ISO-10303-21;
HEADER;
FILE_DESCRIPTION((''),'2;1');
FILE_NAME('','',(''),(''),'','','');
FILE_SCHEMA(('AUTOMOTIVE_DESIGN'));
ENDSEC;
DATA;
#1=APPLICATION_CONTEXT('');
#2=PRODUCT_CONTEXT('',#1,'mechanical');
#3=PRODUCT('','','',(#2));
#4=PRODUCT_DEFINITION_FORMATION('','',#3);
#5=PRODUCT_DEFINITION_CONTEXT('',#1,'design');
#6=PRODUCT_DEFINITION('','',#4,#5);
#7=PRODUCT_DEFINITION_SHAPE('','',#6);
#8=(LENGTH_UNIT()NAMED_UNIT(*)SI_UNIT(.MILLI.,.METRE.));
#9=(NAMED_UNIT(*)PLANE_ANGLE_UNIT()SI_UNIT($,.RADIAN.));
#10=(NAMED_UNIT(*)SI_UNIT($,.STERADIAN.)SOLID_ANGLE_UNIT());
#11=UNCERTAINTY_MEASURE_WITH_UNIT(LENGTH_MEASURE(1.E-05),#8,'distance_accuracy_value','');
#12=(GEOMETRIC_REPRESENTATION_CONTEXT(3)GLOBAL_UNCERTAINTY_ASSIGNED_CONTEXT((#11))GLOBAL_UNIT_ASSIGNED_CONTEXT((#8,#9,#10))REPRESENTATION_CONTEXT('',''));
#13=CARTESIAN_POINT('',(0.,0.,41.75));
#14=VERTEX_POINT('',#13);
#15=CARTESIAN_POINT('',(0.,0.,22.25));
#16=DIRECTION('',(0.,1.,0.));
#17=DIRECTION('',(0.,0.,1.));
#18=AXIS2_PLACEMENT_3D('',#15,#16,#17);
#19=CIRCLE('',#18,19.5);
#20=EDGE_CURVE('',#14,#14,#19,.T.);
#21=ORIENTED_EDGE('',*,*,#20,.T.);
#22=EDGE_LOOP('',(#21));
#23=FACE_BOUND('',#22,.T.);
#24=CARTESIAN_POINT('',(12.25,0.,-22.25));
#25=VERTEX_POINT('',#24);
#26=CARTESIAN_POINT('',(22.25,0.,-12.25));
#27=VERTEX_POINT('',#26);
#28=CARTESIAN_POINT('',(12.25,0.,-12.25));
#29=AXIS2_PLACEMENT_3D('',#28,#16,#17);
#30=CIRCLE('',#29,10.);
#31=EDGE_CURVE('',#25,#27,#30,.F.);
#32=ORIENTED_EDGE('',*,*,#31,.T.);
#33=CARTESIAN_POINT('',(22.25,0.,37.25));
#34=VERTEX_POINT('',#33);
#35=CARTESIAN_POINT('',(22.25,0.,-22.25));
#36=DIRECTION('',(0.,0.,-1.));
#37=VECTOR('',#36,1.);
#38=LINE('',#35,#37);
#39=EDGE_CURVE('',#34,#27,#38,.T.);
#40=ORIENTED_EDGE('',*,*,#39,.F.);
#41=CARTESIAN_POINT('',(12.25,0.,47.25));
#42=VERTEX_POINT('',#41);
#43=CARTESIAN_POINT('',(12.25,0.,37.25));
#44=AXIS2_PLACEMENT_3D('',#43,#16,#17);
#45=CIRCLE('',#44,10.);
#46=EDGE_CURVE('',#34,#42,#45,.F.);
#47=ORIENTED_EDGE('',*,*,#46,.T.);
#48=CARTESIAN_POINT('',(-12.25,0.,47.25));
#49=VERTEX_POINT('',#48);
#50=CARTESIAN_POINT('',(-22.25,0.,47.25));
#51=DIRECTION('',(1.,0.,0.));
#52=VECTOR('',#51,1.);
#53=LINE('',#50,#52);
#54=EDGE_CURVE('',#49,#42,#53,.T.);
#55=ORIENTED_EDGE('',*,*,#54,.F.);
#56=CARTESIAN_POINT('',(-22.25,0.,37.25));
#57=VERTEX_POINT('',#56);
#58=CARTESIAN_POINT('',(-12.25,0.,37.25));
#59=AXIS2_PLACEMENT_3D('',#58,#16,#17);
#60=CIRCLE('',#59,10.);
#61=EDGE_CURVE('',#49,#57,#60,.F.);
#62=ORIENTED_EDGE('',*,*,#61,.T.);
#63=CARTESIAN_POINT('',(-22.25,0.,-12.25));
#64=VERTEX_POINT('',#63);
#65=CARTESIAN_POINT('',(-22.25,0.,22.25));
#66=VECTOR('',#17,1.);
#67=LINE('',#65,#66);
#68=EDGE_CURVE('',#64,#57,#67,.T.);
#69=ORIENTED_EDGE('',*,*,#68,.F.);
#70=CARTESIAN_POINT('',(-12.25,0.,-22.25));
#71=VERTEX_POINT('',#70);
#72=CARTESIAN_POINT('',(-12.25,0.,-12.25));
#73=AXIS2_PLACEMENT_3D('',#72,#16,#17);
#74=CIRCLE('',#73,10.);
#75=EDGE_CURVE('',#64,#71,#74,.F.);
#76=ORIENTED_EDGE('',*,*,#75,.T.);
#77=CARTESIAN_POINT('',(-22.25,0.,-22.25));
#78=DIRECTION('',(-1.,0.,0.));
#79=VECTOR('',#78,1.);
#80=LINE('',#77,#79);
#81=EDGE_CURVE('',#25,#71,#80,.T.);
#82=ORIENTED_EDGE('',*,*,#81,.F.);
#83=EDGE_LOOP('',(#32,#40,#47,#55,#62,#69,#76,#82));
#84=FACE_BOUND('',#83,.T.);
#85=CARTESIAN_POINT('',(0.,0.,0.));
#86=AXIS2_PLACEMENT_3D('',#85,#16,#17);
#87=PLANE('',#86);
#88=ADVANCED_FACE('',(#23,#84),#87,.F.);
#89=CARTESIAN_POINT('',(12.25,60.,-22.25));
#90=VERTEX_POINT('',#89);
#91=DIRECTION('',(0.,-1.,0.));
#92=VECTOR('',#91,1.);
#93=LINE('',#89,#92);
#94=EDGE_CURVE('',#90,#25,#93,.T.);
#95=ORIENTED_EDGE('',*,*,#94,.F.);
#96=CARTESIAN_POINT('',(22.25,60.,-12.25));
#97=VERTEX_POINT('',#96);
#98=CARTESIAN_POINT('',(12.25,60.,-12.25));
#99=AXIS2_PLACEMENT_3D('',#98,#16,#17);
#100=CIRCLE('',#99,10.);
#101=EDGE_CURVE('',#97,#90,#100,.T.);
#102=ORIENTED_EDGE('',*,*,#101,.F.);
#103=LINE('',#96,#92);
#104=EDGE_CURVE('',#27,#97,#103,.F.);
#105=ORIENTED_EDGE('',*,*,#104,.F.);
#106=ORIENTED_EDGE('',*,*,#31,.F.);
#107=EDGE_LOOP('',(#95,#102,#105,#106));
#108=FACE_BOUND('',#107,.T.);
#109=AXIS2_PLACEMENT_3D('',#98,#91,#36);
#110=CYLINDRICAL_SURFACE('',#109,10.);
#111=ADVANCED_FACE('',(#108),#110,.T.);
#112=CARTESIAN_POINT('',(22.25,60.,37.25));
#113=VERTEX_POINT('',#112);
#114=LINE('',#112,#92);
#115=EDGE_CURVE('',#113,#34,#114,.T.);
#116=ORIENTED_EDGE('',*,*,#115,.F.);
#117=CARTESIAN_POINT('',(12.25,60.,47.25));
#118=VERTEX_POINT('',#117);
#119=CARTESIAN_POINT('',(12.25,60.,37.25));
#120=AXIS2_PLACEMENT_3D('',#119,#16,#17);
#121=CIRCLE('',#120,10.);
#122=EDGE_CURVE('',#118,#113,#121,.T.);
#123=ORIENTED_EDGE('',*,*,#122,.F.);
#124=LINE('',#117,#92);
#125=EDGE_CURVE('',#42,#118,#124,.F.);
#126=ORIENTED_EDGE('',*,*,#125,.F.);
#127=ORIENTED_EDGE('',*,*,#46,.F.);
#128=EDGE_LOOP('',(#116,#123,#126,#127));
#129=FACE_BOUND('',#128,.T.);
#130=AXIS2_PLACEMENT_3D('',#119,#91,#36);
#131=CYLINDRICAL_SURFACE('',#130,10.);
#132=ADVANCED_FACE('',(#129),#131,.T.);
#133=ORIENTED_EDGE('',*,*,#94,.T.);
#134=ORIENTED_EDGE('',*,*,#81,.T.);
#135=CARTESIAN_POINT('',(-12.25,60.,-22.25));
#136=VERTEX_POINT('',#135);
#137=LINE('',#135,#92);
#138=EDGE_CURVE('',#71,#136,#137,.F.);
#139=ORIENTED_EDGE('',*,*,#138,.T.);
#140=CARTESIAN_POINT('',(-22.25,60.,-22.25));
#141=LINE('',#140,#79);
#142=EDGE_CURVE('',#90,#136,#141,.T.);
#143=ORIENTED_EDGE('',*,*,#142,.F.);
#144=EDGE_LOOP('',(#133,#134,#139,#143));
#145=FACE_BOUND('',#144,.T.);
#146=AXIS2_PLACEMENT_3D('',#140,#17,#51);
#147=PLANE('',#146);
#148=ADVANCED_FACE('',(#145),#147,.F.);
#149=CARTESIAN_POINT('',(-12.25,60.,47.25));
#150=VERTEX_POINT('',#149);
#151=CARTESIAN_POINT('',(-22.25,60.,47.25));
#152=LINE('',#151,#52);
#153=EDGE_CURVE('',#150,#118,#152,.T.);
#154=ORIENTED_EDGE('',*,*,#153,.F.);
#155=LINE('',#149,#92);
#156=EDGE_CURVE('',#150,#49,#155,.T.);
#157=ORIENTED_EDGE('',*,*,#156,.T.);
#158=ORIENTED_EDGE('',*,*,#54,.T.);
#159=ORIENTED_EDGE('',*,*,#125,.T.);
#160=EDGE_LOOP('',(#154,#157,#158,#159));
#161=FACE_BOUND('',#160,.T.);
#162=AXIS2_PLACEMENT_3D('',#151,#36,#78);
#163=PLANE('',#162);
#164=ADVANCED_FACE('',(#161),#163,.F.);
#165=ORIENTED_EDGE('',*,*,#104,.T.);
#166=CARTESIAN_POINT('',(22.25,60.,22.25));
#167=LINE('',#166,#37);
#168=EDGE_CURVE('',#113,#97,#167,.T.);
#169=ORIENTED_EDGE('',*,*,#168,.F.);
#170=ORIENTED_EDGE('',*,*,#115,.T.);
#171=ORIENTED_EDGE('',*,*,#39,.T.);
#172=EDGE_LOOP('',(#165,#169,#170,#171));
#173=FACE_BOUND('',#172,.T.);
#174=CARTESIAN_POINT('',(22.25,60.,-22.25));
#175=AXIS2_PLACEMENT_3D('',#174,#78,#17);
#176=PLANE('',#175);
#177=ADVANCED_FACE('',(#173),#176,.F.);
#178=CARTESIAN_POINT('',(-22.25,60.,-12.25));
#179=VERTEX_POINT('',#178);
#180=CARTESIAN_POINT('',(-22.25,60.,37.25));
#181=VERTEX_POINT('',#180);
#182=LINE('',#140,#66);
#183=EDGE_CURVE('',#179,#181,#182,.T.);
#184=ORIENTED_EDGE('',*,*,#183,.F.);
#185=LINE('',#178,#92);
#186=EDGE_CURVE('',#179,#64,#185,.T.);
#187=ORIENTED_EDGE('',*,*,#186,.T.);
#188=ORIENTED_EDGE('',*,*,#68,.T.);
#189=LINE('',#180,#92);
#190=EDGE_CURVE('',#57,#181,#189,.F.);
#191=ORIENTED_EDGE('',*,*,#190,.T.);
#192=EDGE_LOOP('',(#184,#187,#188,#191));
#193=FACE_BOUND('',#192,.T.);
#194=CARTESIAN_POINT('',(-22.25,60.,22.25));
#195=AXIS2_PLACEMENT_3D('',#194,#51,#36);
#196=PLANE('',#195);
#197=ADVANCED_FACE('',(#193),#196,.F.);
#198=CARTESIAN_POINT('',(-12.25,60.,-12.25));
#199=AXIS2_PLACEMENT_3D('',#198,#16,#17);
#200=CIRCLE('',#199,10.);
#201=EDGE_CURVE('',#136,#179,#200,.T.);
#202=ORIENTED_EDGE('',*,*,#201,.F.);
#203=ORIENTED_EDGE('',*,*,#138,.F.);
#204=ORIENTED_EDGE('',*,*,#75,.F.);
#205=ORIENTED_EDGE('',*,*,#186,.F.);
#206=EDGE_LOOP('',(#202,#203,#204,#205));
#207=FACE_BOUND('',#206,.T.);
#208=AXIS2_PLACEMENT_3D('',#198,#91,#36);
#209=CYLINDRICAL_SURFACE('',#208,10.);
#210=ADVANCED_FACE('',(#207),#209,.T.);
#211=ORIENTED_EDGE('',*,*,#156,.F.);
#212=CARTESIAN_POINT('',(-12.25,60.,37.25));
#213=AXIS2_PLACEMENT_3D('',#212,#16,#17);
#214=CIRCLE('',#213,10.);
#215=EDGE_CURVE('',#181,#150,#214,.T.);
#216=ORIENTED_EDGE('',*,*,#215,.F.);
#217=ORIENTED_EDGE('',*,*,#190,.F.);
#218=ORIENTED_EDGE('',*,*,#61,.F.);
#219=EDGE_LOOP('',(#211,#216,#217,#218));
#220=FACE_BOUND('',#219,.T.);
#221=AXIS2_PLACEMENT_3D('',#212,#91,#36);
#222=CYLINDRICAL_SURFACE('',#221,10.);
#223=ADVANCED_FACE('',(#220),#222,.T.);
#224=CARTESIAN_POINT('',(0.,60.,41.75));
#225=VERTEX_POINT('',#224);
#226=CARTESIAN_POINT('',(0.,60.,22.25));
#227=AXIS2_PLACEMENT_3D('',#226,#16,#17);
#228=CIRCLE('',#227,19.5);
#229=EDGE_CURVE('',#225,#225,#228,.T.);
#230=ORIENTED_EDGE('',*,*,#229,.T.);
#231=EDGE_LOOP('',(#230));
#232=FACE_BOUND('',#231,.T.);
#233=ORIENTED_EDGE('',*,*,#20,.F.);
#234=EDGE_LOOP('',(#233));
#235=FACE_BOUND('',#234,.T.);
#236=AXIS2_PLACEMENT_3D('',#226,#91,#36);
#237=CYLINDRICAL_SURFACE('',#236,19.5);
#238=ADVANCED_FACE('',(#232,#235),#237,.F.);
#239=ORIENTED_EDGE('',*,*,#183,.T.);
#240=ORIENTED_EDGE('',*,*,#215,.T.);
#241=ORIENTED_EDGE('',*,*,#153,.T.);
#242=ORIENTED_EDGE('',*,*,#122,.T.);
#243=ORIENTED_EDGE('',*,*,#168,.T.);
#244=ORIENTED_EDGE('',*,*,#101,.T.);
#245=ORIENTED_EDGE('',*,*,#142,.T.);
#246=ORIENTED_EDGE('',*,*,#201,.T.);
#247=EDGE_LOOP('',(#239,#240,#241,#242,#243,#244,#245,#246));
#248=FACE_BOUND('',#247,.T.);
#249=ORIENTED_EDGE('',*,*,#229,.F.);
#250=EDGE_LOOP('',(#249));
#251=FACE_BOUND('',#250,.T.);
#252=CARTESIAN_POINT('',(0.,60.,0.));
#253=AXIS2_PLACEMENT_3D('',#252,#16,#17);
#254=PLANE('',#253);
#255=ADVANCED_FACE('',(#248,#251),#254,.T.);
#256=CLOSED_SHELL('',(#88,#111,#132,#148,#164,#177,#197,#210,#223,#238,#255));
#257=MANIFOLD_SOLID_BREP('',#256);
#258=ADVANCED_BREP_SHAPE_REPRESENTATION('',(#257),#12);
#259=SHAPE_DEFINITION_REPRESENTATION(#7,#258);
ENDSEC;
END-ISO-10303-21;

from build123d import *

# Parameters (mm, degrees)
SKETCH_1_R      = 19.5
EXTRUDE_1_DEPTH = 60
FILLET_1_R      = 10


with BuildPart() as part:
    # 草图1 → 凸台-拉伸1 (new body)
    with BuildSketch(Plane(origin=(0, 0, 0), x_dir=(1, 0, 0), z_dir=(0, 1, 0))):
        Polygon((-22.25, 22.25), (22.25, 22.25), (22.25, -22.25), (22.25, -47.25), (-22.25, -47.25), (-22.25, -22.25), align=None)
        with Locations((0, -22.25)):
            Circle(SKETCH_1_R, mode=Mode.SUBTRACT)
    extrude(amount=EXTRUDE_1_DEPTH)

    # 圆角1
    fillet_1_edges = [part.edges().sort_by_distance(p)[0] for p in [
        (22.25, 30, 47.25),
        (-22.25, 30, 47.25),
        (-22.25, 30, -22.25),
        (22.25, 30, -22.25),
    ]]
    fillet(fillet_1_edges, radius=FILLET_1_R)


solid = part.part
